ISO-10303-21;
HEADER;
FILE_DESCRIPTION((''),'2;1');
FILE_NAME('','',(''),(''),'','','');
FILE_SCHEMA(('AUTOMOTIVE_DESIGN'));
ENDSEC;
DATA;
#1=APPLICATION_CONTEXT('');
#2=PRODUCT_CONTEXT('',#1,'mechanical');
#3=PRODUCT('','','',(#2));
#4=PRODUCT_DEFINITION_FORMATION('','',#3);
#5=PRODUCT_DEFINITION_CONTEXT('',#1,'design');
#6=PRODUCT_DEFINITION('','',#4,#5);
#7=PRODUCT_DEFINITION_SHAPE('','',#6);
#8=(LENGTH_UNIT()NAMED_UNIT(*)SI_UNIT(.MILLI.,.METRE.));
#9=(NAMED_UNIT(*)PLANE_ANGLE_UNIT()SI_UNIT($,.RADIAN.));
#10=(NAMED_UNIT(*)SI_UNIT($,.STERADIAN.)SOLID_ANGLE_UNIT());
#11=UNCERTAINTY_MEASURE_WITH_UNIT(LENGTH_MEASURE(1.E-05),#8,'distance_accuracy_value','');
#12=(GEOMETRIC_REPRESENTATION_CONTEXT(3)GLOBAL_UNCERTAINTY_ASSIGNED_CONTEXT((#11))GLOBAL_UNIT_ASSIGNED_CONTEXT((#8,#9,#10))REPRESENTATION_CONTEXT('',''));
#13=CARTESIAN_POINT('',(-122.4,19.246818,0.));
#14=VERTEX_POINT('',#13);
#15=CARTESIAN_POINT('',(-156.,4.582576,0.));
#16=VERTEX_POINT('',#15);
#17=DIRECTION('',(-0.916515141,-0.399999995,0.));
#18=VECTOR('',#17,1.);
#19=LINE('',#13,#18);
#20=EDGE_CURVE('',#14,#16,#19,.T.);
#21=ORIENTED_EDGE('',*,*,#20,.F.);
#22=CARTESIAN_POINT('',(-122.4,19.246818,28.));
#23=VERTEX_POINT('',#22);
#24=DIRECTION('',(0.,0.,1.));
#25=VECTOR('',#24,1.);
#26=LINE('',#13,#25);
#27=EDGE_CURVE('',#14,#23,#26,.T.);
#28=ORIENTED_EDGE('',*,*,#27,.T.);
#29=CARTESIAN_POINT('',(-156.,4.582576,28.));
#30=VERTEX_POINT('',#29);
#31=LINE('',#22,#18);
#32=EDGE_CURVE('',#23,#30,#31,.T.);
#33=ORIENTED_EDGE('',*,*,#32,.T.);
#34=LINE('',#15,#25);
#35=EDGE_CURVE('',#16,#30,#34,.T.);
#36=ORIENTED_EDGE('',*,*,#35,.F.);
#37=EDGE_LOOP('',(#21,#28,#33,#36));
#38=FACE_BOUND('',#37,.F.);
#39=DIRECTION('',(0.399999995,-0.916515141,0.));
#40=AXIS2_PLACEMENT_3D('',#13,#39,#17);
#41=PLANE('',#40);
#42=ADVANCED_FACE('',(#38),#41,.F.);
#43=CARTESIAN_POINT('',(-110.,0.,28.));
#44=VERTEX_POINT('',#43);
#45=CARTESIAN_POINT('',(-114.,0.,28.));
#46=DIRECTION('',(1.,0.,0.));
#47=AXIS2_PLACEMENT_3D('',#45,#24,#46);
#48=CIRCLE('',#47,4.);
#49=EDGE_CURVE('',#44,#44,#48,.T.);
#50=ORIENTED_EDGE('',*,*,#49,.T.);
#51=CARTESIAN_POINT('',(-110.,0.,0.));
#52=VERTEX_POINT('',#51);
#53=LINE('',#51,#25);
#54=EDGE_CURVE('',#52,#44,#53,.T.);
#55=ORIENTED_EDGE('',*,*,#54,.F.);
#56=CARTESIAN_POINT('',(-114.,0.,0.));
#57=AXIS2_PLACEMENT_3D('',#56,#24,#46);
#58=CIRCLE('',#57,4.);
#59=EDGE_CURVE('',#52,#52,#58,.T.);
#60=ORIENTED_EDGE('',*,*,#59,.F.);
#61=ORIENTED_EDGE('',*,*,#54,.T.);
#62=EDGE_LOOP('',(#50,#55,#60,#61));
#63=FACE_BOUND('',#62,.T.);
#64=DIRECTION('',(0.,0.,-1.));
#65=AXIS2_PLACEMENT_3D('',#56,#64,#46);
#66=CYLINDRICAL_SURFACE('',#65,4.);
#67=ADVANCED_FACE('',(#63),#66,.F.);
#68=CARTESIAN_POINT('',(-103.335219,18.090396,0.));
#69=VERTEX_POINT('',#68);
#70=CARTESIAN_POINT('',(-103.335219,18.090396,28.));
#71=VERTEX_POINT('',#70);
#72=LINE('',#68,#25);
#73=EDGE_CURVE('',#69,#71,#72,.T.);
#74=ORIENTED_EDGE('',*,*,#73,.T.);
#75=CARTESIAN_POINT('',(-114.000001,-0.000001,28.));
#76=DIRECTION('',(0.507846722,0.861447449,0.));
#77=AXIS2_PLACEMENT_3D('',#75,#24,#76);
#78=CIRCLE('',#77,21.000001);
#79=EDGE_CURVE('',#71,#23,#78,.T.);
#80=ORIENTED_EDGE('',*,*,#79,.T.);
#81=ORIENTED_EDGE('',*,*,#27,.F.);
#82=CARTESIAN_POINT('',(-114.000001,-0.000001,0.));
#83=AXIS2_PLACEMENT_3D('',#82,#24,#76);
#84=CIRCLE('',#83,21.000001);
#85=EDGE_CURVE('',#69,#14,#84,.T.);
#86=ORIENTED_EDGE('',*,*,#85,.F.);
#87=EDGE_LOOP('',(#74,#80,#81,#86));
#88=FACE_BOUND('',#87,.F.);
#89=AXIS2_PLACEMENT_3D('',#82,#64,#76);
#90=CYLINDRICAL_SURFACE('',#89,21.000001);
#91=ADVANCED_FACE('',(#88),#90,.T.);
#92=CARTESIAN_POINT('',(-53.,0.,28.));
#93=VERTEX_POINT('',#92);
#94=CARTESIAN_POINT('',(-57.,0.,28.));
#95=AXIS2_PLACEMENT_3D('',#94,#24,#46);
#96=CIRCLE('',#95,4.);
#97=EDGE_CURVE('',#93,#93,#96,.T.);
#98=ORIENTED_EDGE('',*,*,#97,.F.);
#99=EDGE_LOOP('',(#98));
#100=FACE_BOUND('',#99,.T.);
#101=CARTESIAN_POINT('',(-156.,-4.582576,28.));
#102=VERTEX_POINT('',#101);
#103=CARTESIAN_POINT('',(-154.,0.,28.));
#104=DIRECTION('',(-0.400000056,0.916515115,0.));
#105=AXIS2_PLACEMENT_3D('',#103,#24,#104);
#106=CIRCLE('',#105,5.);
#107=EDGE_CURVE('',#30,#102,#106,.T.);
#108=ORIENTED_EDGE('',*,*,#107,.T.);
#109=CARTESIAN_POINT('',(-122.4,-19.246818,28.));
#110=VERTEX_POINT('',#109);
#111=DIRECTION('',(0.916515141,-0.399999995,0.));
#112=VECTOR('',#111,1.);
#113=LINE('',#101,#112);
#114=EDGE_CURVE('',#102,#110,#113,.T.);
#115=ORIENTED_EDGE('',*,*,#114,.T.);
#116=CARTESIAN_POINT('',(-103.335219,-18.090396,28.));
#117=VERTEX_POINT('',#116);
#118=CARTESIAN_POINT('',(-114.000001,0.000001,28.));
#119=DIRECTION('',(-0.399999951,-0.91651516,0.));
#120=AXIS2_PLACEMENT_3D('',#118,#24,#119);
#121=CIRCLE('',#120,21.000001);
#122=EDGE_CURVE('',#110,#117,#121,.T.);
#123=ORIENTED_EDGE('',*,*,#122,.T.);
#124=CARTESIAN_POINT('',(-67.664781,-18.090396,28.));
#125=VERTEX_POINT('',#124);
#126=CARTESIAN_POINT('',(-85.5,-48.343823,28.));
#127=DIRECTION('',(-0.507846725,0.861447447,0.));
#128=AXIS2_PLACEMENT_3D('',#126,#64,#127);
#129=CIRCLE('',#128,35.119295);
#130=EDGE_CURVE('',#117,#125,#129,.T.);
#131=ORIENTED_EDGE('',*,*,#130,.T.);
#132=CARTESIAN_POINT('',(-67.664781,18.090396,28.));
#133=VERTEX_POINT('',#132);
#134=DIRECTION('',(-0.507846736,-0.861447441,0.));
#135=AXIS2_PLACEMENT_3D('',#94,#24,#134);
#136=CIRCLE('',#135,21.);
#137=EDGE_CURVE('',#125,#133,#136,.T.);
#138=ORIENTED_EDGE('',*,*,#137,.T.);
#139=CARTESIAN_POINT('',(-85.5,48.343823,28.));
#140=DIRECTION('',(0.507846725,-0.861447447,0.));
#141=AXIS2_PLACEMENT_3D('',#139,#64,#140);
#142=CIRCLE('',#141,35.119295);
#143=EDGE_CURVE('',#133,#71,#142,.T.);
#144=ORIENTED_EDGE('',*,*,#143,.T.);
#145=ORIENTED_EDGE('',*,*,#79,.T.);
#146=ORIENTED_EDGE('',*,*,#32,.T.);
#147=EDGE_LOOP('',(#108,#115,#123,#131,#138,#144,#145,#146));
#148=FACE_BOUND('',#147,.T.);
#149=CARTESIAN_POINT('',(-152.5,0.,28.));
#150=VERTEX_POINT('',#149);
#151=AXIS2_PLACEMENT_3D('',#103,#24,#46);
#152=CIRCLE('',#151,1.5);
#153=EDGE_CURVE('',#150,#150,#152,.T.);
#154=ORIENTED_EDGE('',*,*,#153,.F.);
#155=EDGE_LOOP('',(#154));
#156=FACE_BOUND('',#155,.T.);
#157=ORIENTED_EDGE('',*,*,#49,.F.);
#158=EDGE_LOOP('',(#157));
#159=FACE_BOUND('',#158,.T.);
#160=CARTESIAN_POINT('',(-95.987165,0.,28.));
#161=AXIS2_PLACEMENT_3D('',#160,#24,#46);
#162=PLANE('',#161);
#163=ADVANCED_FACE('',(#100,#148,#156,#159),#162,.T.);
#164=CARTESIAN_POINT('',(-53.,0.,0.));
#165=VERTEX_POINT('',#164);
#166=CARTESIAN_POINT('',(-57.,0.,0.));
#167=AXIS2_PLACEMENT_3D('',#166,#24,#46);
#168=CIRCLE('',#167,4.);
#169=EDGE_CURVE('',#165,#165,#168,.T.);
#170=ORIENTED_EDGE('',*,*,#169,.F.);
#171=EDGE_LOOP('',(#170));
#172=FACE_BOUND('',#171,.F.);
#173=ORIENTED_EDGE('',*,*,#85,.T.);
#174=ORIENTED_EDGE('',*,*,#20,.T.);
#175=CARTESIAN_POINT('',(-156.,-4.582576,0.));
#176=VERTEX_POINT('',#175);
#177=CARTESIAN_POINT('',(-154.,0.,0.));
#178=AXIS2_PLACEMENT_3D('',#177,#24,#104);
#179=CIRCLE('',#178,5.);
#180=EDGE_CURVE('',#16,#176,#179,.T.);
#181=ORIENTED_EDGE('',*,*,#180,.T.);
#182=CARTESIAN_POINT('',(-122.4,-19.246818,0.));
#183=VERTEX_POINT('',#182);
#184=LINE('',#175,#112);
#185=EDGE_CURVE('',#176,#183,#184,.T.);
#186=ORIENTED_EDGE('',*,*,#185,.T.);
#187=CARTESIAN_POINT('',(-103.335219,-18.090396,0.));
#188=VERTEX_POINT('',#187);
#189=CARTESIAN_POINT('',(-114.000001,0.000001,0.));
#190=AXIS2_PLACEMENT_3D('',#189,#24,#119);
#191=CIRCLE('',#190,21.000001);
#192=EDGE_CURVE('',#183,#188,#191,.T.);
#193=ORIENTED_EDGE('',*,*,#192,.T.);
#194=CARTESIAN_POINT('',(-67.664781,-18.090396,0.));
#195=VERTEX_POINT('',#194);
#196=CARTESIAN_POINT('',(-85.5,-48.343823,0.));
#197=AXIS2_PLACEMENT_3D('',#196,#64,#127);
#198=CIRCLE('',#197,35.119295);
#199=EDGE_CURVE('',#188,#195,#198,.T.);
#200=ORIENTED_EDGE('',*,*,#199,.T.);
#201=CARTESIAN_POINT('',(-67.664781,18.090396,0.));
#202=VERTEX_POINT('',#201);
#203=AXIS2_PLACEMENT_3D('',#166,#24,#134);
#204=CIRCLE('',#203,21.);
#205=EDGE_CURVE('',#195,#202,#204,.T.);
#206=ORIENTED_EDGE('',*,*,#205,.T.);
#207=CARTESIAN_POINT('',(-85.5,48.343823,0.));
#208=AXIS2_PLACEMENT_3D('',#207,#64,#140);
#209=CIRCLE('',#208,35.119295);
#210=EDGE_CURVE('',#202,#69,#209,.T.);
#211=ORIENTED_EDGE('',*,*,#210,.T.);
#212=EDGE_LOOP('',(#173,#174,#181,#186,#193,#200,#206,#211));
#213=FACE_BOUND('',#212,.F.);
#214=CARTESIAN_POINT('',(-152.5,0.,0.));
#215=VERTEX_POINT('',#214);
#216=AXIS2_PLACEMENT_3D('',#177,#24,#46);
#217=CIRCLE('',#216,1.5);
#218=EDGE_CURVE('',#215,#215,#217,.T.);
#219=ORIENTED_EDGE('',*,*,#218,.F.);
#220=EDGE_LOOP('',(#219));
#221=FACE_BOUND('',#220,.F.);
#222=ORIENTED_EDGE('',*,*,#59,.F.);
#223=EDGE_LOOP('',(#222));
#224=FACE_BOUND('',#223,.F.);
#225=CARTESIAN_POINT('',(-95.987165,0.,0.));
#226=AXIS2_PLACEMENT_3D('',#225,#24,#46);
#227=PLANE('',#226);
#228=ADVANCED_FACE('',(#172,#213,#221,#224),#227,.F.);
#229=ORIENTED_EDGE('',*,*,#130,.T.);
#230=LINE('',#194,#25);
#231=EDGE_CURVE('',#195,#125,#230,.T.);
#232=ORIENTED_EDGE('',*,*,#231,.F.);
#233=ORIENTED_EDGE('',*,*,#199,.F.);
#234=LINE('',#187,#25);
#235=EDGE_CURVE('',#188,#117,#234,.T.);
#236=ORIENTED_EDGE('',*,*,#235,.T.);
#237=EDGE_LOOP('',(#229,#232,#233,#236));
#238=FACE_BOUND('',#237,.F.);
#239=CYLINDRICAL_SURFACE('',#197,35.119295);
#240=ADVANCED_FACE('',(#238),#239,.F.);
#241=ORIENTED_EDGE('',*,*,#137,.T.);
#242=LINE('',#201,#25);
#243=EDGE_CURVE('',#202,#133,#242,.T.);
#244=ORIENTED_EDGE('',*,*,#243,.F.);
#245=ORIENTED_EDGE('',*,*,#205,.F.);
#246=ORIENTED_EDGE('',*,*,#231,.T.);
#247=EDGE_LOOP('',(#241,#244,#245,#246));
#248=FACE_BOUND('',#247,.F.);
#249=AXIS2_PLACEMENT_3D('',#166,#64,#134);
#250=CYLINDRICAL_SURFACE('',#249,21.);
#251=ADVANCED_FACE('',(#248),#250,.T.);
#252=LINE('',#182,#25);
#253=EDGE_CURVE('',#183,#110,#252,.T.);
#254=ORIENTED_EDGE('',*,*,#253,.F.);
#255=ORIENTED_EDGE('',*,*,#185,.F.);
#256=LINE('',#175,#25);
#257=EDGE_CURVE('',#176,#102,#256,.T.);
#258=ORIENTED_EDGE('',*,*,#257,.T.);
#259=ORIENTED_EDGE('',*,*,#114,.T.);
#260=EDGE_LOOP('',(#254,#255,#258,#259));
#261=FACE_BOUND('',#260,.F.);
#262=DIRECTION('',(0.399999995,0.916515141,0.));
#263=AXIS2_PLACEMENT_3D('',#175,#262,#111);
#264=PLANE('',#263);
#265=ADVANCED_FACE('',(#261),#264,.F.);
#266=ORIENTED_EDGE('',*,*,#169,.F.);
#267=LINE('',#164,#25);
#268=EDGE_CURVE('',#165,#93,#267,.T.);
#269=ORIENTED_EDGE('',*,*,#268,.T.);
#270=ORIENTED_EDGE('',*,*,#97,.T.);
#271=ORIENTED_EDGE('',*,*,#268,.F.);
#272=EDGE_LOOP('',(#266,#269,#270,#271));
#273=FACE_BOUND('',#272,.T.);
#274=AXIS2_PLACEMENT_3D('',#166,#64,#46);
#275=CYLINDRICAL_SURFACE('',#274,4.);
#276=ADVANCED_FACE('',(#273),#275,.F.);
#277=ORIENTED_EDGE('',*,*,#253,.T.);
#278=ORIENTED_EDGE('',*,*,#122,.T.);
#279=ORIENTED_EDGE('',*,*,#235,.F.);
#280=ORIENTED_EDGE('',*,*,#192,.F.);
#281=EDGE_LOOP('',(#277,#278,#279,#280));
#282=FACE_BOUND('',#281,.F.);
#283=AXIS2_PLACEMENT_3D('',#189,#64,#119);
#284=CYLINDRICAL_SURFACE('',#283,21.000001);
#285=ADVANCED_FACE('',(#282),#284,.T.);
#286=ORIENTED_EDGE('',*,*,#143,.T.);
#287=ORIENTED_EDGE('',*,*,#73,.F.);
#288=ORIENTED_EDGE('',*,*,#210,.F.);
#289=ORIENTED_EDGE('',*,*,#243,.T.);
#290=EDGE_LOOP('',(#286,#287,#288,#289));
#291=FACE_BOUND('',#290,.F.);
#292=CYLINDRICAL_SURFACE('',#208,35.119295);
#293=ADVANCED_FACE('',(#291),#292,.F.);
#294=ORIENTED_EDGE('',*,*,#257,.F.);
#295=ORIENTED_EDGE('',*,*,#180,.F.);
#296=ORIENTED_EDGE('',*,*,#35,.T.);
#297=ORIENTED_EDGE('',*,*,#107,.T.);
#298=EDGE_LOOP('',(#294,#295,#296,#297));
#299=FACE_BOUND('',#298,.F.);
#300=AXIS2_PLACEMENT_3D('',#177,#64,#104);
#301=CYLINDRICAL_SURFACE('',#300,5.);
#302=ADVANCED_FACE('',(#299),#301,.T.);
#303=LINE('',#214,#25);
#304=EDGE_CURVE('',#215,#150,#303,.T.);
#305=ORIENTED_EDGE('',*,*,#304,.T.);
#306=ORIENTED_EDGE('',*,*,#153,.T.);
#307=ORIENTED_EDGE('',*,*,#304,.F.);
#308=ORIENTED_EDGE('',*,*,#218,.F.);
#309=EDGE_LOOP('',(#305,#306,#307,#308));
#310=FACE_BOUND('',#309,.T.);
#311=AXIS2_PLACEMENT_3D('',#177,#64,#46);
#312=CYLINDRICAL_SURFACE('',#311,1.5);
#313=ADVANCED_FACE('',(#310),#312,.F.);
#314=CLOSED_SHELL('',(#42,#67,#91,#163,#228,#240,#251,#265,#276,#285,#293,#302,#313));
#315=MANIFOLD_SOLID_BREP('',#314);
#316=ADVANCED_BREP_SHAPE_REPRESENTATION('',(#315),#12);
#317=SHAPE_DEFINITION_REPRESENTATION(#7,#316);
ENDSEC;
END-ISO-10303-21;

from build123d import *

# Parameters (mm, degrees)
F0_R     = 1.5
F0_R_2   = 4
F1_DEPTH = 28


with BuildPart() as f1:
    # F0 (on Top) → F1 (new body)
    with BuildSketch(Plane.XY):
        with BuildLine():
            Line((-156, -4.582576), (-122.4, -19.246818))
            ThreePointArc((-122.4, -19.246818), (-112.72853, -20.961473), (-103.335219, -18.090396))
            ThreePointArc((-103.335219, -18.090396), (-85.5, -13.224528), (-67.664781, -18.090396))
            ThreePointArc((-67.664781, -18.090396), (-36, 0), (-67.664781, 18.090396))
            ThreePointArc((-67.664781, 18.090396), (-85.5, 13.224528), (-103.335219, 18.090396))
            ThreePointArc((-103.335219, 18.090396), (-112.72853, 20.961473), (-122.4, 19.246818))
            Line((-122.4, 19.246818), (-156, 4.582576))
            ThreePointArc((-156, 4.582576), (-159, 0), (-156, -4.582576))
        make_face()
        with Locations((-154, 0)):
            Circle(F0_R, mode=Mode.SUBTRACT)
        with Locations((-114, 0)):
            Circle(F0_R_2, mode=Mode.SUBTRACT)
        with Locations((-57, 0)):
            Circle(F0_R_2, mode=Mode.SUBTRACT)
    extrude(amount=F1_DEPTH)


solid = f1.part
